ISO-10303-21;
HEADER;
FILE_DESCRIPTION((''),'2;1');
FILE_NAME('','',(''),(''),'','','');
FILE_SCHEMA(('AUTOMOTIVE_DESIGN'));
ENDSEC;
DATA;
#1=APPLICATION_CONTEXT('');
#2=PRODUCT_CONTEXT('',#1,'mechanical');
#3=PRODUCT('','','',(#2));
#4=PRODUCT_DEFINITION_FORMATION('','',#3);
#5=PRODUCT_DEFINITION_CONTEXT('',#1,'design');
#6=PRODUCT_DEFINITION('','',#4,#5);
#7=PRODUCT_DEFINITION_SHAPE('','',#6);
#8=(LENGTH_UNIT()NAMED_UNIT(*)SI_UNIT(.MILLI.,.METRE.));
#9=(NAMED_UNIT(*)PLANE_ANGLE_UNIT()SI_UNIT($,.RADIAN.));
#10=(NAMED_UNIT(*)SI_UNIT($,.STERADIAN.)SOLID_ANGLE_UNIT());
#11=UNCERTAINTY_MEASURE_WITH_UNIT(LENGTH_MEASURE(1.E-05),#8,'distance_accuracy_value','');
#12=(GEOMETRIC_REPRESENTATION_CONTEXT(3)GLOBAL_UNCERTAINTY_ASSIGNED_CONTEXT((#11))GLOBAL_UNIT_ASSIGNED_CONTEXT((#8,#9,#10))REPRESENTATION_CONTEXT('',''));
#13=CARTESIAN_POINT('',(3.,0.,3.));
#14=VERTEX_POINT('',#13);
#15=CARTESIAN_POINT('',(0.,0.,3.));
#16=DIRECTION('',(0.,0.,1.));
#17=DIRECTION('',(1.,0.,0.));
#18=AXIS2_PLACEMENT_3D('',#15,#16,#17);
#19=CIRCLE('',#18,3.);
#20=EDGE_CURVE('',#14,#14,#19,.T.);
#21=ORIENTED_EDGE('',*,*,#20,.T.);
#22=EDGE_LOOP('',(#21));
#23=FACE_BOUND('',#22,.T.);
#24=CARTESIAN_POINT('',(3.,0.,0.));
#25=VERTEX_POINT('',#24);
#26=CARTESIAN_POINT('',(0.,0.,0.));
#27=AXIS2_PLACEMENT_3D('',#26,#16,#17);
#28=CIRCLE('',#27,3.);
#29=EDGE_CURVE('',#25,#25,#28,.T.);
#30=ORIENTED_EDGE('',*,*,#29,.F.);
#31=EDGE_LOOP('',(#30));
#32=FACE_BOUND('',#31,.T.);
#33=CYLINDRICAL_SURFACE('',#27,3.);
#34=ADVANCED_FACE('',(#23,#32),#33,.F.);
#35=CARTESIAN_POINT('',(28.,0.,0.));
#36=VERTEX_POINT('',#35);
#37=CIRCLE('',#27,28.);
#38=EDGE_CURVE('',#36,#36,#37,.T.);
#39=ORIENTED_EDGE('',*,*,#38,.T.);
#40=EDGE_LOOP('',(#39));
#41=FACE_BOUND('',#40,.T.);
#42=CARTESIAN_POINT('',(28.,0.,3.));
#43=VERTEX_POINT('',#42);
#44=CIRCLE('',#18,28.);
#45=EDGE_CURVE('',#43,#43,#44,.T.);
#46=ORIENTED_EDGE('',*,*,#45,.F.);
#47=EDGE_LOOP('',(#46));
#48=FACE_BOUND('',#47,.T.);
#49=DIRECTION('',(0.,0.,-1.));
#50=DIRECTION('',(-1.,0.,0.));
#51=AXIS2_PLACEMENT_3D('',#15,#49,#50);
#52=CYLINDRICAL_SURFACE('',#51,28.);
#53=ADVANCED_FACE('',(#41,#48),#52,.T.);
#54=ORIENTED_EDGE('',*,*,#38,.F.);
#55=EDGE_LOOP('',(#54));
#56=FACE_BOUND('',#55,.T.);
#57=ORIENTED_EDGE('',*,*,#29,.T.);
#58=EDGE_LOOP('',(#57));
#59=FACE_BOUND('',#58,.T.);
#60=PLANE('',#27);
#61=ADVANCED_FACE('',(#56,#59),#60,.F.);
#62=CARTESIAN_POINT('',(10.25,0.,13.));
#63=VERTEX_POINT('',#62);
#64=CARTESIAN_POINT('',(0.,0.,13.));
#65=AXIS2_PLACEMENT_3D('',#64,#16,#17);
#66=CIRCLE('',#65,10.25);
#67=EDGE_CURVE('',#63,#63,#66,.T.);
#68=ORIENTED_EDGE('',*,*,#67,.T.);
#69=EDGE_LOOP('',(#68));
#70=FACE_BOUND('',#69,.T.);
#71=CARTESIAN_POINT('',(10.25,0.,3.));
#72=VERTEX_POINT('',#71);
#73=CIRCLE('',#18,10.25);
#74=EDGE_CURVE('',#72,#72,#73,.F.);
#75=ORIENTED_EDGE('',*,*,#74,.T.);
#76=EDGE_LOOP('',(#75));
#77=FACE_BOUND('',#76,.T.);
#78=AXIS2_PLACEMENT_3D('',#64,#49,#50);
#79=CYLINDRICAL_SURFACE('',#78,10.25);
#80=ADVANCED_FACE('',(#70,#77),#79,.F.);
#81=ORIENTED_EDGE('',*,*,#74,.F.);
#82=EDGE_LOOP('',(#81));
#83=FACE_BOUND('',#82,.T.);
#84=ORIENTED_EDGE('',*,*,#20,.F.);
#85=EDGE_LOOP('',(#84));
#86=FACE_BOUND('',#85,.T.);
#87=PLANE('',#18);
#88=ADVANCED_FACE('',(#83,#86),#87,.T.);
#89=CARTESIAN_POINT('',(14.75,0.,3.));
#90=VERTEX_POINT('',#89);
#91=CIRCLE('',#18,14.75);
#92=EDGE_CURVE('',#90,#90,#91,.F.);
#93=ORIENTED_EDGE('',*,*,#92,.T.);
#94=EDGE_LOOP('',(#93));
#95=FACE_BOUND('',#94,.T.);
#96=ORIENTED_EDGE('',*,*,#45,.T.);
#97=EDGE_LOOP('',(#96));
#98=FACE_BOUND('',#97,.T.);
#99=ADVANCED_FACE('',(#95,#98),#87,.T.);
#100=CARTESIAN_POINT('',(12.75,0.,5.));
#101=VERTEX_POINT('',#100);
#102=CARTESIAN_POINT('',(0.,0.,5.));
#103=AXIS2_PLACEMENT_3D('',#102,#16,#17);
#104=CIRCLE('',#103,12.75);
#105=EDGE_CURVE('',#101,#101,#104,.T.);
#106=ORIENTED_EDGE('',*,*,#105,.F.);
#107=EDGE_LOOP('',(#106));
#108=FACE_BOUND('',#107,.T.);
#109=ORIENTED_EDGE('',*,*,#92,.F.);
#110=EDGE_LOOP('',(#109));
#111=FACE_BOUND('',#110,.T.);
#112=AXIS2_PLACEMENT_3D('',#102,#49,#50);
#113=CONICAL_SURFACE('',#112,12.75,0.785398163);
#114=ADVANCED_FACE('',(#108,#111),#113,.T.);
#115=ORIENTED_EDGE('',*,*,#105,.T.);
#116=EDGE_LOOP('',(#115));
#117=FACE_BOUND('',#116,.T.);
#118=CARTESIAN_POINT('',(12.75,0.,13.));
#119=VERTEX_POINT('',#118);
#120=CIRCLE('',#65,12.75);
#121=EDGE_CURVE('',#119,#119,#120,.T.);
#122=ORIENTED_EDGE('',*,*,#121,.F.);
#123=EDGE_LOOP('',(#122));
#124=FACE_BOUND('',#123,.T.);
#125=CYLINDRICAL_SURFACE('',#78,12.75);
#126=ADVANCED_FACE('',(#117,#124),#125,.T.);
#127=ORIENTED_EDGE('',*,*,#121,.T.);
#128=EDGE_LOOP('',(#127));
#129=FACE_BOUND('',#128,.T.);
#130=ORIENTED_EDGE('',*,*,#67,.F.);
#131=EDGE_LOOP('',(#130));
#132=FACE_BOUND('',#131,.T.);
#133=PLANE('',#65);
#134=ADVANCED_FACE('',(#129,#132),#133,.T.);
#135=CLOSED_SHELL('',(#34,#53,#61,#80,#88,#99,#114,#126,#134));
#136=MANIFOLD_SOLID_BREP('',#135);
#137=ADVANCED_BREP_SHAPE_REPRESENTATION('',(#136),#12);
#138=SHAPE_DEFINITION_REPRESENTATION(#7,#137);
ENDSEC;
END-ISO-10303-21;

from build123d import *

# Parameters (mm, degrees)
ESQUISSE1_R                  = 28
BOSS_EXTRU_1_DEPTH           = 3
ENL_V_MAT_EXTRU_1_DEPTH      = 40.711459303
ENL_V_MAT_EXTRU_1_DEPTH_BACK = 40.711459303
ESQUISSE2_R                  = 3
ESQUISSE3_R                  = 12.75
ESQUISSE3_R_2                = 10.25
BOSS_EXTRU_2_DEPTH           = 10
CHANFREIN1_SIZE              = 2


with BuildPart() as part:
    # Esquisse1 → Boss.-Extru.1 (new body)
    with BuildSketch(Plane.XY):
        Circle(ESQUISSE1_R)
    extrude(amount=BOSS_EXTRU_1_DEPTH)

    # Esquisse2 → Enlèv. mat.-Extru.1 (cut, two sides: drawn at the far end of the back side and taken through both)
    with BuildSketch(Plane.XY.offset(3).offset(-ENL_V_MAT_EXTRU_1_DEPTH_BACK)):
        Circle(ESQUISSE2_R)
    extrude(amount=ENL_V_MAT_EXTRU_1_DEPTH + ENL_V_MAT_EXTRU_1_DEPTH_BACK, mode=Mode.SUBTRACT)

    # Esquisse3 → Boss.-Extru.2 (add)
    with BuildSketch(Plane.XY.offset(3)):
        Circle(ESQUISSE3_R)
        Circle(ESQUISSE3_R_2, mode=Mode.SUBTRACT)
    extrude(amount=BOSS_EXTRU_2_DEPTH)

    # Chanfrein1
    chanfrein1_edges = [part.edges().sort_by_distance(p)[0] for p in [
        (-12.75, 0, 3),
    ]]
    chamfer(chanfrein1_edges, length=CHANFREIN1_SIZE)


solid = part.part
